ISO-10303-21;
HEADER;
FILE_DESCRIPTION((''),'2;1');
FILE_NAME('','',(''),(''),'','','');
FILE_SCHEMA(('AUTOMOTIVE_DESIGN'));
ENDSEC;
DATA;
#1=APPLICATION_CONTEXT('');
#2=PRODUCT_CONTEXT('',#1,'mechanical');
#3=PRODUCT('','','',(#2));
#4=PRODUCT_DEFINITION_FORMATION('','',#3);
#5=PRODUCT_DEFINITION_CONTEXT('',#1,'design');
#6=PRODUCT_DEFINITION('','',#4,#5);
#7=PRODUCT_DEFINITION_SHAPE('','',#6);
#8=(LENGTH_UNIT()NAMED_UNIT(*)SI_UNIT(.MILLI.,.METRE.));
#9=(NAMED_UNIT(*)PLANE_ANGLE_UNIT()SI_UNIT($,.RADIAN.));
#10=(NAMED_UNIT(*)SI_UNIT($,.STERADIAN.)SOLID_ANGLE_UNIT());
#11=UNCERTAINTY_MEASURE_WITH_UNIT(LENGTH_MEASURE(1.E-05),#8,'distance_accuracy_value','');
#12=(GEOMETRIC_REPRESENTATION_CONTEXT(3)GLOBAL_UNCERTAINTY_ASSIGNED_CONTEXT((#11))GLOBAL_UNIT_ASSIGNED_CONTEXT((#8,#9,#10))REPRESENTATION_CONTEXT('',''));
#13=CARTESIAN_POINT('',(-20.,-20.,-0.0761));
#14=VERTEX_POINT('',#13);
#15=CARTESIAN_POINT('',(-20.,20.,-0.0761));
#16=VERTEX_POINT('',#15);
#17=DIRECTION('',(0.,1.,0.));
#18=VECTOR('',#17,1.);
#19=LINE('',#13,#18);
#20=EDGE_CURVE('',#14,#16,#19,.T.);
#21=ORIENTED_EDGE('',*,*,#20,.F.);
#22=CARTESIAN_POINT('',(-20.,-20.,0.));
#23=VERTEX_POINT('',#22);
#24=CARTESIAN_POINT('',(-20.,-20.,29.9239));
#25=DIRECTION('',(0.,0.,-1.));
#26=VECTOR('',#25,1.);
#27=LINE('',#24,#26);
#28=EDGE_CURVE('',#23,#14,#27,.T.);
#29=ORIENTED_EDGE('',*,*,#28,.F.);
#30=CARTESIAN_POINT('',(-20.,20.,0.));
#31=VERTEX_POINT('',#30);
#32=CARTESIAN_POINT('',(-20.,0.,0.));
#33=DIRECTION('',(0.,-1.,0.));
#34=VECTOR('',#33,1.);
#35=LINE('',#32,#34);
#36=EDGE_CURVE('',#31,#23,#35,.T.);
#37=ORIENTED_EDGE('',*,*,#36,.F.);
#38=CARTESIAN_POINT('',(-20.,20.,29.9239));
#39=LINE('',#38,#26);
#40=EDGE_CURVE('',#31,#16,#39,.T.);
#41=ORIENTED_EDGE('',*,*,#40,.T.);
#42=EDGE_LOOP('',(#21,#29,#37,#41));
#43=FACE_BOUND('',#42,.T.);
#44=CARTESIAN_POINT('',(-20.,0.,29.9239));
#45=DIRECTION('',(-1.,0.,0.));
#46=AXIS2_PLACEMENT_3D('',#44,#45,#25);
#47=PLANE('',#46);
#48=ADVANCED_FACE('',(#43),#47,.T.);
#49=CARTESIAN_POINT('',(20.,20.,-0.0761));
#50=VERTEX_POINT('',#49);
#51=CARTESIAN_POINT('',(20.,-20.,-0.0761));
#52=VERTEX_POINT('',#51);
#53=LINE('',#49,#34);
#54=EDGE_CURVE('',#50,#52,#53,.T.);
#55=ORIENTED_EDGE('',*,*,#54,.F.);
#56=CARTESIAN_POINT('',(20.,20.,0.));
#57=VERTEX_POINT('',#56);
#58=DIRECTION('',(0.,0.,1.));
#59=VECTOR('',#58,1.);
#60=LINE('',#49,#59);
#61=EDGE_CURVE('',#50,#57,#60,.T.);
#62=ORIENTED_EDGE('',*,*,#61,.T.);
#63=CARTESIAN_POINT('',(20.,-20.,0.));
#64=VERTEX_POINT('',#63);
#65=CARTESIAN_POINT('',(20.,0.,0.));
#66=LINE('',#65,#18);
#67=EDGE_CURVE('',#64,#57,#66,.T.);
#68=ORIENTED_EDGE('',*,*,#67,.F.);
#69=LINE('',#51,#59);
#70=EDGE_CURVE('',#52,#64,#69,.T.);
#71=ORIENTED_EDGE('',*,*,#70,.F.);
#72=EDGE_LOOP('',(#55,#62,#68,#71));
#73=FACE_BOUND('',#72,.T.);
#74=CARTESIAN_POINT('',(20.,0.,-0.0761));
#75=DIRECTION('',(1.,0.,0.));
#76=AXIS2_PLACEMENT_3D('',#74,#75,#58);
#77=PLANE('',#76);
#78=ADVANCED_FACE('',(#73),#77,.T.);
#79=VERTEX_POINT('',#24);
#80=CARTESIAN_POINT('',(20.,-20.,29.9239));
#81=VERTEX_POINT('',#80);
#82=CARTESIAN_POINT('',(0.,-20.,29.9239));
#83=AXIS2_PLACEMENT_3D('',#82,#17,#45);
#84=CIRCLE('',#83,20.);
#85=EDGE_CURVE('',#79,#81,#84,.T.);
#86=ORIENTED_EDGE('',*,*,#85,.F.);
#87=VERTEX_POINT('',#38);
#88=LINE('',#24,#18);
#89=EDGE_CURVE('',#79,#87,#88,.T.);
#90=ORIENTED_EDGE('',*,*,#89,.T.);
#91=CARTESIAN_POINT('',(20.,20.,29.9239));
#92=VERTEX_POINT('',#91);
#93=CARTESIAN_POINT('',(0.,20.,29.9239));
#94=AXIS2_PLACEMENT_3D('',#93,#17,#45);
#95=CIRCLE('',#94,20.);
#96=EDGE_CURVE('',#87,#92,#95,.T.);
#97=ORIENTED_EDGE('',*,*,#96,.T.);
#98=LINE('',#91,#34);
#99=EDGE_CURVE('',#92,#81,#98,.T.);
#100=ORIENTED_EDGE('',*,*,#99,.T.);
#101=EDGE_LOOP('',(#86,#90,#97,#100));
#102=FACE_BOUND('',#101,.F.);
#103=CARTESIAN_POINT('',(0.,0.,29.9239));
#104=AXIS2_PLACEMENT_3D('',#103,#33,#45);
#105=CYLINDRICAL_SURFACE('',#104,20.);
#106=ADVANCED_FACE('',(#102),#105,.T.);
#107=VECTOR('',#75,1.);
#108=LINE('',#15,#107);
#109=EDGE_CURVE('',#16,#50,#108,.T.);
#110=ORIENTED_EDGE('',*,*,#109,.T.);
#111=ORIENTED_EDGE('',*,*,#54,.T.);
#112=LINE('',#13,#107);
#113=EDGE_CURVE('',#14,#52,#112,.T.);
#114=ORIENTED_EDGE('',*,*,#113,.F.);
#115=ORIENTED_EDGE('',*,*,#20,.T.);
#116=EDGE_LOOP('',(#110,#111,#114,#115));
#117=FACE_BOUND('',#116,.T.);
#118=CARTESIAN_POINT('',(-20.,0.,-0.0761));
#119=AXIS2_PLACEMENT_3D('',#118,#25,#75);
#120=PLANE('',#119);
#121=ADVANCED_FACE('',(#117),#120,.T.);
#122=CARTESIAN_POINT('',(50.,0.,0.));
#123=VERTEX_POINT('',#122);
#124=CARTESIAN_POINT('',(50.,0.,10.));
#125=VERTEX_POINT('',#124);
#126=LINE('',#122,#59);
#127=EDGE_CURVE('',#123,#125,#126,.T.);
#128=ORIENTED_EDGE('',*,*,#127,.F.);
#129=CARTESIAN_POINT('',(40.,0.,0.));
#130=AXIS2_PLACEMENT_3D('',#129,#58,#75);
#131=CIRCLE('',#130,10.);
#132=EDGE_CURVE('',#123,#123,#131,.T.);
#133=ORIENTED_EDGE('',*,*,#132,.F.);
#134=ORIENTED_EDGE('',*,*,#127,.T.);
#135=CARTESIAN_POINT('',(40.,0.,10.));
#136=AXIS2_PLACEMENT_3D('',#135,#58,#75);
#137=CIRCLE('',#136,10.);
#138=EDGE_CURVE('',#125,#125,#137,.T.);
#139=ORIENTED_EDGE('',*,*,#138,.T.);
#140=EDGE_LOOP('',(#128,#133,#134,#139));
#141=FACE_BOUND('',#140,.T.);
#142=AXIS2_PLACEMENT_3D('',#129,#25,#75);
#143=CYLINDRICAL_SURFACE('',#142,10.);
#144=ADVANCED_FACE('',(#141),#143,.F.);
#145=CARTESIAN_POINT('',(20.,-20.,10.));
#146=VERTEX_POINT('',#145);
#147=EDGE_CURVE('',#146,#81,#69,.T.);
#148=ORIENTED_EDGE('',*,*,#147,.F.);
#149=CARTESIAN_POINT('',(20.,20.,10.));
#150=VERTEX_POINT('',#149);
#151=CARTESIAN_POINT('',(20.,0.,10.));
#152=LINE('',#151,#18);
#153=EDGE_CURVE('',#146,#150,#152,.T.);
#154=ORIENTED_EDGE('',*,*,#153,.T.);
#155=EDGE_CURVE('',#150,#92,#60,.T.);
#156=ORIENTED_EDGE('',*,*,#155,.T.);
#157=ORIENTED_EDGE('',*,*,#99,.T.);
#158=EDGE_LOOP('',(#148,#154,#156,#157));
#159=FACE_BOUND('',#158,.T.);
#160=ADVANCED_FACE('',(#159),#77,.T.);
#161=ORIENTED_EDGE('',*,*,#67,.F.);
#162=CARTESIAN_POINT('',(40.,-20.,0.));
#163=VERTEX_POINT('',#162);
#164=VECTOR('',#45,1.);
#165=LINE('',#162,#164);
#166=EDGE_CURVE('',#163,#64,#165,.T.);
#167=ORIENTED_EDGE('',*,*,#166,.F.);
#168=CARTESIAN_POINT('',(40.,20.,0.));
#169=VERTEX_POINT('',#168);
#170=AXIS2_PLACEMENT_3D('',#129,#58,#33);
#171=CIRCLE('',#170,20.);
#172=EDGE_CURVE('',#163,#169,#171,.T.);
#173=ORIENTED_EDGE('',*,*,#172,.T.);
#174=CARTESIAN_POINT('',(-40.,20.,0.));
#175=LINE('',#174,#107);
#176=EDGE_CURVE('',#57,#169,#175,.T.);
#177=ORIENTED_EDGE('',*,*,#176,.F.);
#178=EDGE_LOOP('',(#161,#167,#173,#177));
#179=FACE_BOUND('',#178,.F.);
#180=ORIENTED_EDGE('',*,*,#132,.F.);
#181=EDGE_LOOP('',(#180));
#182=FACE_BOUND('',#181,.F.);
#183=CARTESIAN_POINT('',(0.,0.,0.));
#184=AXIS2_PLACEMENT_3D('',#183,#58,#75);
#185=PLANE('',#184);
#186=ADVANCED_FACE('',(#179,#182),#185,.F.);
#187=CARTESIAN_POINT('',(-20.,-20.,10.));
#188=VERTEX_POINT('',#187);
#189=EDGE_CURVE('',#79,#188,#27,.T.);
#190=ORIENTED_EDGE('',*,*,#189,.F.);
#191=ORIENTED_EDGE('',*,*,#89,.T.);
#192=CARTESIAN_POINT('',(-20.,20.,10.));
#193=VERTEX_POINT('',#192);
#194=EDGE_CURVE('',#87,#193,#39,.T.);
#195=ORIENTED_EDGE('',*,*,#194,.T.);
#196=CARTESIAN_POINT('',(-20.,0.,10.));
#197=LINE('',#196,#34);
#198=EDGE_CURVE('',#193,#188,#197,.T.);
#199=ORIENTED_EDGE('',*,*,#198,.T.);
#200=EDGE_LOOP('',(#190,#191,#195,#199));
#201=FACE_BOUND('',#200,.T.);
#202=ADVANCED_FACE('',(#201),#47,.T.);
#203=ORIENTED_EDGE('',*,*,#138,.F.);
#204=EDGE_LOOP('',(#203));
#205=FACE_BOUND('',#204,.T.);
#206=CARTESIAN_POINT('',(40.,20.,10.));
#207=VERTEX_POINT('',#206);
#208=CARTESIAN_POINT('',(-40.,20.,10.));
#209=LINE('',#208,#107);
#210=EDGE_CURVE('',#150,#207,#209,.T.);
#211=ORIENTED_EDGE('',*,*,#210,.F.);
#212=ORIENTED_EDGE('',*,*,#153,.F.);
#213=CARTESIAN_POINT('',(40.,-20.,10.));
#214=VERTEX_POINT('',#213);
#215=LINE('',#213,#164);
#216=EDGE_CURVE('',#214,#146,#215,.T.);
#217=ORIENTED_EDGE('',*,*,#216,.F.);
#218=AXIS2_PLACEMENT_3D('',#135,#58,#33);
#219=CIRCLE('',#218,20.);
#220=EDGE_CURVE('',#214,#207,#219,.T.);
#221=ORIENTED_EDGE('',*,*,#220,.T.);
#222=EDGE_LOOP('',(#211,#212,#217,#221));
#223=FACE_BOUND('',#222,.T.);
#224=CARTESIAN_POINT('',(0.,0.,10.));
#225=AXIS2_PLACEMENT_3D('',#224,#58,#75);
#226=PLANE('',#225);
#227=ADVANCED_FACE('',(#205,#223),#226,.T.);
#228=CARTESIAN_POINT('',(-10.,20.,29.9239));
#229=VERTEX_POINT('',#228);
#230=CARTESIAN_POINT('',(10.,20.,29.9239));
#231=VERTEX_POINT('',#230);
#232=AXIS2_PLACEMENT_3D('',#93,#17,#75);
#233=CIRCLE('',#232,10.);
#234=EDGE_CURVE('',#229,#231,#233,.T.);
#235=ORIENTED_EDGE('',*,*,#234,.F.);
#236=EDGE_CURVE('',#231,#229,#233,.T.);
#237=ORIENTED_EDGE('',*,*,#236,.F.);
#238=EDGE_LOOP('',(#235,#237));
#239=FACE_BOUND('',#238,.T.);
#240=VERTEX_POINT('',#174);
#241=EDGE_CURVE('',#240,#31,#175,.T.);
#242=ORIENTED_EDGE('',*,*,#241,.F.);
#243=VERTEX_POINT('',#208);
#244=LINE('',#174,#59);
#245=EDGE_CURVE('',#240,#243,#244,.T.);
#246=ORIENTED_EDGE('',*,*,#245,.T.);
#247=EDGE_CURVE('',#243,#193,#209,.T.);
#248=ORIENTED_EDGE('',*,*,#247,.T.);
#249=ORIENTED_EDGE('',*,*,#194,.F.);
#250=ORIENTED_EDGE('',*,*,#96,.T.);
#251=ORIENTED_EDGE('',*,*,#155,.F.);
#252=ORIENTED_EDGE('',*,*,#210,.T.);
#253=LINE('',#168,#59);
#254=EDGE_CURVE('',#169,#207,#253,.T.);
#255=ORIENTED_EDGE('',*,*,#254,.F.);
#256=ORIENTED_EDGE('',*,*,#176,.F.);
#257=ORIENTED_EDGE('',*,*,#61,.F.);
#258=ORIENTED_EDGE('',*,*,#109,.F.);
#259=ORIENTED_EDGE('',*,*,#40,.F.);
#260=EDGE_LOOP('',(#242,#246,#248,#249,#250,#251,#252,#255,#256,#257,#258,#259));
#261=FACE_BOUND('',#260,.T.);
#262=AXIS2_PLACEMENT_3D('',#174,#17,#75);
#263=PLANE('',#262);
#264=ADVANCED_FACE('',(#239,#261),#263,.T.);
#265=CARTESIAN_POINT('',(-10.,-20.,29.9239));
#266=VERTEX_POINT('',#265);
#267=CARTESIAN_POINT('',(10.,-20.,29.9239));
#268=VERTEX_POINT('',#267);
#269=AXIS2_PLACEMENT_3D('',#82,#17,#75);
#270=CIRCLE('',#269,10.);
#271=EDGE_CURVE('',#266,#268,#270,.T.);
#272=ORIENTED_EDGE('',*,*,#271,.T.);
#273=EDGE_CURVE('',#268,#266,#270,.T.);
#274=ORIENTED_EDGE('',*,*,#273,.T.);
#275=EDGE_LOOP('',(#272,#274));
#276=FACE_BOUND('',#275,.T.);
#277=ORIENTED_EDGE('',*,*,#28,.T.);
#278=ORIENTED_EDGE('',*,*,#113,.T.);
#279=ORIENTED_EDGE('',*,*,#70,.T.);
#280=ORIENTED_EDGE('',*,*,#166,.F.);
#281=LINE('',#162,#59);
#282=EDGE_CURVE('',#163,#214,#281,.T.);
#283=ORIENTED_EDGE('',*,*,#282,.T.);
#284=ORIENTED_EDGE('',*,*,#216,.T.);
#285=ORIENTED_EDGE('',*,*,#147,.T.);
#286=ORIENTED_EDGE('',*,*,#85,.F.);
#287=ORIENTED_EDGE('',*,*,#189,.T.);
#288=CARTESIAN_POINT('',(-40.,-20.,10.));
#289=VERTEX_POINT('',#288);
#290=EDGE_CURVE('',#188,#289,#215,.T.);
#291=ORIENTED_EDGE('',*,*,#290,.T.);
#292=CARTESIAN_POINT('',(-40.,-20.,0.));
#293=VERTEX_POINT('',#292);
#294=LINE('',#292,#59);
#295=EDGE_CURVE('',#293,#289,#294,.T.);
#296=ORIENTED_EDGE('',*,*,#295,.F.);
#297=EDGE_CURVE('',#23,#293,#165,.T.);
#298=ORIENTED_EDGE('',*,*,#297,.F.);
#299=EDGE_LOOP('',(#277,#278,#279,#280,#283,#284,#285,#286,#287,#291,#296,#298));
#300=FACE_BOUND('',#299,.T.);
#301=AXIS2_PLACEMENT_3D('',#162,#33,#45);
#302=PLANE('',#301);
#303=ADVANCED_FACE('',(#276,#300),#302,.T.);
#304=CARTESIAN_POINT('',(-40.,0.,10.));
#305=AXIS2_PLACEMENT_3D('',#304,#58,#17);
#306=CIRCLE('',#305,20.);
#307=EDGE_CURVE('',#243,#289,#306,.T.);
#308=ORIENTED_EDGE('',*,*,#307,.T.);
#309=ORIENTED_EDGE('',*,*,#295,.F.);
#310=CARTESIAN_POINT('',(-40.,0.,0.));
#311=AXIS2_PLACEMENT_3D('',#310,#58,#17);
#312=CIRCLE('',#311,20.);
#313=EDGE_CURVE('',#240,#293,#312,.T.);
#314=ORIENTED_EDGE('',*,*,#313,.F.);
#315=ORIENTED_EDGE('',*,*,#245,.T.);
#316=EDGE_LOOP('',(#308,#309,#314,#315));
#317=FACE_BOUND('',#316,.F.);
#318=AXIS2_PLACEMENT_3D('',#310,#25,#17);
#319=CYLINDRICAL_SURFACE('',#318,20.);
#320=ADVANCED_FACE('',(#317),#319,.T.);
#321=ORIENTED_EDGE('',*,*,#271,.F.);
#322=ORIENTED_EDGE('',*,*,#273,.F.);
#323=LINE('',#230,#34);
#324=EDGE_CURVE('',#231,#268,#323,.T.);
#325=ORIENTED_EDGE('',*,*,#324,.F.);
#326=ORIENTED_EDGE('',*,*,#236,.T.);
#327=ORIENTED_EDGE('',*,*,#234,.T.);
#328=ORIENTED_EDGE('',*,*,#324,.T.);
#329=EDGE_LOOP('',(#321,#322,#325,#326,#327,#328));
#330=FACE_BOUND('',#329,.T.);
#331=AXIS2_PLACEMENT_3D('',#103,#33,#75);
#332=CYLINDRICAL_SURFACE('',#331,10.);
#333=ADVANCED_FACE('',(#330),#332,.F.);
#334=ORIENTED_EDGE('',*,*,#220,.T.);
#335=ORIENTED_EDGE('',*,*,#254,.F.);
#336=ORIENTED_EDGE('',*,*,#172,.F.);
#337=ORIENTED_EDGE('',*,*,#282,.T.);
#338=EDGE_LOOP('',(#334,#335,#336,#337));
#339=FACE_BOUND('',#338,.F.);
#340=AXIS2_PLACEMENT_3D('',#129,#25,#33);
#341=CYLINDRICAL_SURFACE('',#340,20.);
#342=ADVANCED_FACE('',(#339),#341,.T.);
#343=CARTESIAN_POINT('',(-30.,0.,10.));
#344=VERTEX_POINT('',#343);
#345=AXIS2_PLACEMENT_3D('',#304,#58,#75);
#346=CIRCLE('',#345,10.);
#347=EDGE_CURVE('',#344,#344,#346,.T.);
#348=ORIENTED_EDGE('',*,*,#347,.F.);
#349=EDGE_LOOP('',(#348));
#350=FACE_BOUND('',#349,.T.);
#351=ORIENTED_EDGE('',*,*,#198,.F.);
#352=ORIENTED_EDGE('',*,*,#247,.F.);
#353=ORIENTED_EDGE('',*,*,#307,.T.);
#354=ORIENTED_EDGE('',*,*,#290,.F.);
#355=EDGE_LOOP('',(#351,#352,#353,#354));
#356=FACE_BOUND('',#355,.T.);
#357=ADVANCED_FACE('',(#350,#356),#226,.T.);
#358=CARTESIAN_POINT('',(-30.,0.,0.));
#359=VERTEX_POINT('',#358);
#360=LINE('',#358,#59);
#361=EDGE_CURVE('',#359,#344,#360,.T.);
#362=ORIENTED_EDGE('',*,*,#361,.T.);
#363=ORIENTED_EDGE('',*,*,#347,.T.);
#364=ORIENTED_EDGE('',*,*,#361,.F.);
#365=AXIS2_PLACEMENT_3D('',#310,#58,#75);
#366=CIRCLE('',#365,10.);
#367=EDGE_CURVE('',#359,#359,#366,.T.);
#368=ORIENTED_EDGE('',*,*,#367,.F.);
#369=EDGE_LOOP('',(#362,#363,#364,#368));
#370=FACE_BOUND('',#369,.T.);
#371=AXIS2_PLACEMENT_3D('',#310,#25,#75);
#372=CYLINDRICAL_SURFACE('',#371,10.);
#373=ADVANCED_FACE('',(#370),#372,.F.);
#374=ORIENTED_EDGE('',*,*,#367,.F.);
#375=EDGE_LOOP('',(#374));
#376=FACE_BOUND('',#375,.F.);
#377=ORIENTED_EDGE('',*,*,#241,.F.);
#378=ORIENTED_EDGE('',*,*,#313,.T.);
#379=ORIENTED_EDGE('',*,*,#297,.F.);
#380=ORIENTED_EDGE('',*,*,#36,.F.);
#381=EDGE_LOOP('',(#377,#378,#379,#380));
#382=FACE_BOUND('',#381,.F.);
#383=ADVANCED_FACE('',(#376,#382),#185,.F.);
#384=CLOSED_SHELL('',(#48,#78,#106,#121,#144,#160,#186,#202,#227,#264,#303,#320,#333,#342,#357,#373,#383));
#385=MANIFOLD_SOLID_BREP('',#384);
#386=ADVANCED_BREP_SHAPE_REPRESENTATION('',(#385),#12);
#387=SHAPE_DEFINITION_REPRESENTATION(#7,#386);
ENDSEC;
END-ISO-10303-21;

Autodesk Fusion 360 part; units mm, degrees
sketch "Horizontal" plane through (0, 0, 0) normal (0, 0, 1) x (1, 0, 0)
  line L0 (40, -20) -> (-40, -20)
  line L1 (-40, 20) -> (40, 20)
  circle A0 centre (40, 0) radius 10
  circle A1 centre (-40, 0) radius 10
  line L2 (20, 0) -> (40, 0) construction
  arc A2 (-40, 20) -> (-40, -20) centre (-40, 0) ccw
  arc A3 (40, -20) -> (40, 20) centre (40, 0) ccw
  dimension "d1" = 80
  dimension "d2" = 40
  dimension "d5" = 40
  dimension "d6" = 40
extrude "Extrude1" add sketch "Horizontal" along normal blind 10
sketch "Vertical" plane through (0, 0, 0) normal (0, 1, 0) x (1, 0, 0)
  line L0 (-20, 0.0761) -> (20, 0.0761)
  line L1 (20, 0.0761) -> (20, -29.9239)
  line L2 (-10, -29.9239) -> (-20, -29.9239)
  line L3 (-20, -29.9239) -> (-20, 0.0761)
  line L4 (-40, 0) -> (-40, -10)
  circle A0 centre (0, -29.9239) radius 10
  arc A1 (-20, -29.9239) -> (20, -29.9239) centre (0, -29.9239) ccw
  dimension "d11" = 40
  dimension "d12" = 30
  dimension "d13" = 20
  dimension "d14" = 20
  dimension "d15" = 20
extrude "Extrude2" add sketch "Vertical" along normal mid plane 40
